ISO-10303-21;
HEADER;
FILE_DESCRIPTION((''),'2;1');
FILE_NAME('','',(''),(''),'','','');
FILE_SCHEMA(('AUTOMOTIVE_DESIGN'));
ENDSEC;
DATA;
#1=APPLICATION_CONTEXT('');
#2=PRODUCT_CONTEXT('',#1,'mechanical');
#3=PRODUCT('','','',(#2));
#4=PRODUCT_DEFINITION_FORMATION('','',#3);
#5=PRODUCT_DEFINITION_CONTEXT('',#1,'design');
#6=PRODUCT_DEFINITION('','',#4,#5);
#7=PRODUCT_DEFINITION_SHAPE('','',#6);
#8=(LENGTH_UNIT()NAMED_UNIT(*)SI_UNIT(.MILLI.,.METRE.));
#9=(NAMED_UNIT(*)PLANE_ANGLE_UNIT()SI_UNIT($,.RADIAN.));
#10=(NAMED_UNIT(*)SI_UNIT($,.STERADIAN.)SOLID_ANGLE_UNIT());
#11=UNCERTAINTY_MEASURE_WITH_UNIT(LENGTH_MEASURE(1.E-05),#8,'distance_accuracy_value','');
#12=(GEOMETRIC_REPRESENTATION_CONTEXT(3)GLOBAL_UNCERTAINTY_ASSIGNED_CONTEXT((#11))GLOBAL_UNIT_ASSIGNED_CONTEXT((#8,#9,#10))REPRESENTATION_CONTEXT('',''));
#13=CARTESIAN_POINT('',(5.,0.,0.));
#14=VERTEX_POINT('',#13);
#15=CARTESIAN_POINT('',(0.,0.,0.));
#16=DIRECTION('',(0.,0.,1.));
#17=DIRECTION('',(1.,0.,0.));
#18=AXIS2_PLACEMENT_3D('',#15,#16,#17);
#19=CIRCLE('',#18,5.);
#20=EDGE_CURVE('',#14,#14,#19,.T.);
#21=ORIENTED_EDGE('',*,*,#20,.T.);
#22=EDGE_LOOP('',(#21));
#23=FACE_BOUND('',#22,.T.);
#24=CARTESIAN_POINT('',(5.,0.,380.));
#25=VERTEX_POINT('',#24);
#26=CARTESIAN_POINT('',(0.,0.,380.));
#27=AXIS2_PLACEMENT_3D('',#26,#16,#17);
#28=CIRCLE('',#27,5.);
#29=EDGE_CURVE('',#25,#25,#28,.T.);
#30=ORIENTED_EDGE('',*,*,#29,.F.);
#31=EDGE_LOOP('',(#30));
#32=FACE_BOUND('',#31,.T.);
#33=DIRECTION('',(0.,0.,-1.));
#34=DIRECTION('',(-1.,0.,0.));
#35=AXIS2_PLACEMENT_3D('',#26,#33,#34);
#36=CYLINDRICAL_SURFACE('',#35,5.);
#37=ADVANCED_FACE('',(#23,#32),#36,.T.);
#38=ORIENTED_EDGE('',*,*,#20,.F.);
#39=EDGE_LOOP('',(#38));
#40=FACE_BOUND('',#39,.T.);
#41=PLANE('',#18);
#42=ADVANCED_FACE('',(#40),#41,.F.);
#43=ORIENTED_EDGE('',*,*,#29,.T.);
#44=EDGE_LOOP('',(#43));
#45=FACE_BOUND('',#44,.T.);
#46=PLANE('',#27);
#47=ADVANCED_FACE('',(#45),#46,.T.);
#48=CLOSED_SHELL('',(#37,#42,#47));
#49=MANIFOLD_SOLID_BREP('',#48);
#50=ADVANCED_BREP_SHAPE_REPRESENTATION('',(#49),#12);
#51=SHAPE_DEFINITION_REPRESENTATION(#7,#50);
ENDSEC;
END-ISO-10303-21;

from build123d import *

# Parameters (mm, degrees)
SKETCH1_R           = 5
BOSS_EXTRUDE1_DEPTH = 380


with BuildPart() as part:
    # Sketch1 → Boss-Extrude1 (new body)
    with BuildSketch(Plane.XY):
        Circle(SKETCH1_R)
    extrude(amount=BOSS_EXTRUDE1_DEPTH)


solid = part.part
